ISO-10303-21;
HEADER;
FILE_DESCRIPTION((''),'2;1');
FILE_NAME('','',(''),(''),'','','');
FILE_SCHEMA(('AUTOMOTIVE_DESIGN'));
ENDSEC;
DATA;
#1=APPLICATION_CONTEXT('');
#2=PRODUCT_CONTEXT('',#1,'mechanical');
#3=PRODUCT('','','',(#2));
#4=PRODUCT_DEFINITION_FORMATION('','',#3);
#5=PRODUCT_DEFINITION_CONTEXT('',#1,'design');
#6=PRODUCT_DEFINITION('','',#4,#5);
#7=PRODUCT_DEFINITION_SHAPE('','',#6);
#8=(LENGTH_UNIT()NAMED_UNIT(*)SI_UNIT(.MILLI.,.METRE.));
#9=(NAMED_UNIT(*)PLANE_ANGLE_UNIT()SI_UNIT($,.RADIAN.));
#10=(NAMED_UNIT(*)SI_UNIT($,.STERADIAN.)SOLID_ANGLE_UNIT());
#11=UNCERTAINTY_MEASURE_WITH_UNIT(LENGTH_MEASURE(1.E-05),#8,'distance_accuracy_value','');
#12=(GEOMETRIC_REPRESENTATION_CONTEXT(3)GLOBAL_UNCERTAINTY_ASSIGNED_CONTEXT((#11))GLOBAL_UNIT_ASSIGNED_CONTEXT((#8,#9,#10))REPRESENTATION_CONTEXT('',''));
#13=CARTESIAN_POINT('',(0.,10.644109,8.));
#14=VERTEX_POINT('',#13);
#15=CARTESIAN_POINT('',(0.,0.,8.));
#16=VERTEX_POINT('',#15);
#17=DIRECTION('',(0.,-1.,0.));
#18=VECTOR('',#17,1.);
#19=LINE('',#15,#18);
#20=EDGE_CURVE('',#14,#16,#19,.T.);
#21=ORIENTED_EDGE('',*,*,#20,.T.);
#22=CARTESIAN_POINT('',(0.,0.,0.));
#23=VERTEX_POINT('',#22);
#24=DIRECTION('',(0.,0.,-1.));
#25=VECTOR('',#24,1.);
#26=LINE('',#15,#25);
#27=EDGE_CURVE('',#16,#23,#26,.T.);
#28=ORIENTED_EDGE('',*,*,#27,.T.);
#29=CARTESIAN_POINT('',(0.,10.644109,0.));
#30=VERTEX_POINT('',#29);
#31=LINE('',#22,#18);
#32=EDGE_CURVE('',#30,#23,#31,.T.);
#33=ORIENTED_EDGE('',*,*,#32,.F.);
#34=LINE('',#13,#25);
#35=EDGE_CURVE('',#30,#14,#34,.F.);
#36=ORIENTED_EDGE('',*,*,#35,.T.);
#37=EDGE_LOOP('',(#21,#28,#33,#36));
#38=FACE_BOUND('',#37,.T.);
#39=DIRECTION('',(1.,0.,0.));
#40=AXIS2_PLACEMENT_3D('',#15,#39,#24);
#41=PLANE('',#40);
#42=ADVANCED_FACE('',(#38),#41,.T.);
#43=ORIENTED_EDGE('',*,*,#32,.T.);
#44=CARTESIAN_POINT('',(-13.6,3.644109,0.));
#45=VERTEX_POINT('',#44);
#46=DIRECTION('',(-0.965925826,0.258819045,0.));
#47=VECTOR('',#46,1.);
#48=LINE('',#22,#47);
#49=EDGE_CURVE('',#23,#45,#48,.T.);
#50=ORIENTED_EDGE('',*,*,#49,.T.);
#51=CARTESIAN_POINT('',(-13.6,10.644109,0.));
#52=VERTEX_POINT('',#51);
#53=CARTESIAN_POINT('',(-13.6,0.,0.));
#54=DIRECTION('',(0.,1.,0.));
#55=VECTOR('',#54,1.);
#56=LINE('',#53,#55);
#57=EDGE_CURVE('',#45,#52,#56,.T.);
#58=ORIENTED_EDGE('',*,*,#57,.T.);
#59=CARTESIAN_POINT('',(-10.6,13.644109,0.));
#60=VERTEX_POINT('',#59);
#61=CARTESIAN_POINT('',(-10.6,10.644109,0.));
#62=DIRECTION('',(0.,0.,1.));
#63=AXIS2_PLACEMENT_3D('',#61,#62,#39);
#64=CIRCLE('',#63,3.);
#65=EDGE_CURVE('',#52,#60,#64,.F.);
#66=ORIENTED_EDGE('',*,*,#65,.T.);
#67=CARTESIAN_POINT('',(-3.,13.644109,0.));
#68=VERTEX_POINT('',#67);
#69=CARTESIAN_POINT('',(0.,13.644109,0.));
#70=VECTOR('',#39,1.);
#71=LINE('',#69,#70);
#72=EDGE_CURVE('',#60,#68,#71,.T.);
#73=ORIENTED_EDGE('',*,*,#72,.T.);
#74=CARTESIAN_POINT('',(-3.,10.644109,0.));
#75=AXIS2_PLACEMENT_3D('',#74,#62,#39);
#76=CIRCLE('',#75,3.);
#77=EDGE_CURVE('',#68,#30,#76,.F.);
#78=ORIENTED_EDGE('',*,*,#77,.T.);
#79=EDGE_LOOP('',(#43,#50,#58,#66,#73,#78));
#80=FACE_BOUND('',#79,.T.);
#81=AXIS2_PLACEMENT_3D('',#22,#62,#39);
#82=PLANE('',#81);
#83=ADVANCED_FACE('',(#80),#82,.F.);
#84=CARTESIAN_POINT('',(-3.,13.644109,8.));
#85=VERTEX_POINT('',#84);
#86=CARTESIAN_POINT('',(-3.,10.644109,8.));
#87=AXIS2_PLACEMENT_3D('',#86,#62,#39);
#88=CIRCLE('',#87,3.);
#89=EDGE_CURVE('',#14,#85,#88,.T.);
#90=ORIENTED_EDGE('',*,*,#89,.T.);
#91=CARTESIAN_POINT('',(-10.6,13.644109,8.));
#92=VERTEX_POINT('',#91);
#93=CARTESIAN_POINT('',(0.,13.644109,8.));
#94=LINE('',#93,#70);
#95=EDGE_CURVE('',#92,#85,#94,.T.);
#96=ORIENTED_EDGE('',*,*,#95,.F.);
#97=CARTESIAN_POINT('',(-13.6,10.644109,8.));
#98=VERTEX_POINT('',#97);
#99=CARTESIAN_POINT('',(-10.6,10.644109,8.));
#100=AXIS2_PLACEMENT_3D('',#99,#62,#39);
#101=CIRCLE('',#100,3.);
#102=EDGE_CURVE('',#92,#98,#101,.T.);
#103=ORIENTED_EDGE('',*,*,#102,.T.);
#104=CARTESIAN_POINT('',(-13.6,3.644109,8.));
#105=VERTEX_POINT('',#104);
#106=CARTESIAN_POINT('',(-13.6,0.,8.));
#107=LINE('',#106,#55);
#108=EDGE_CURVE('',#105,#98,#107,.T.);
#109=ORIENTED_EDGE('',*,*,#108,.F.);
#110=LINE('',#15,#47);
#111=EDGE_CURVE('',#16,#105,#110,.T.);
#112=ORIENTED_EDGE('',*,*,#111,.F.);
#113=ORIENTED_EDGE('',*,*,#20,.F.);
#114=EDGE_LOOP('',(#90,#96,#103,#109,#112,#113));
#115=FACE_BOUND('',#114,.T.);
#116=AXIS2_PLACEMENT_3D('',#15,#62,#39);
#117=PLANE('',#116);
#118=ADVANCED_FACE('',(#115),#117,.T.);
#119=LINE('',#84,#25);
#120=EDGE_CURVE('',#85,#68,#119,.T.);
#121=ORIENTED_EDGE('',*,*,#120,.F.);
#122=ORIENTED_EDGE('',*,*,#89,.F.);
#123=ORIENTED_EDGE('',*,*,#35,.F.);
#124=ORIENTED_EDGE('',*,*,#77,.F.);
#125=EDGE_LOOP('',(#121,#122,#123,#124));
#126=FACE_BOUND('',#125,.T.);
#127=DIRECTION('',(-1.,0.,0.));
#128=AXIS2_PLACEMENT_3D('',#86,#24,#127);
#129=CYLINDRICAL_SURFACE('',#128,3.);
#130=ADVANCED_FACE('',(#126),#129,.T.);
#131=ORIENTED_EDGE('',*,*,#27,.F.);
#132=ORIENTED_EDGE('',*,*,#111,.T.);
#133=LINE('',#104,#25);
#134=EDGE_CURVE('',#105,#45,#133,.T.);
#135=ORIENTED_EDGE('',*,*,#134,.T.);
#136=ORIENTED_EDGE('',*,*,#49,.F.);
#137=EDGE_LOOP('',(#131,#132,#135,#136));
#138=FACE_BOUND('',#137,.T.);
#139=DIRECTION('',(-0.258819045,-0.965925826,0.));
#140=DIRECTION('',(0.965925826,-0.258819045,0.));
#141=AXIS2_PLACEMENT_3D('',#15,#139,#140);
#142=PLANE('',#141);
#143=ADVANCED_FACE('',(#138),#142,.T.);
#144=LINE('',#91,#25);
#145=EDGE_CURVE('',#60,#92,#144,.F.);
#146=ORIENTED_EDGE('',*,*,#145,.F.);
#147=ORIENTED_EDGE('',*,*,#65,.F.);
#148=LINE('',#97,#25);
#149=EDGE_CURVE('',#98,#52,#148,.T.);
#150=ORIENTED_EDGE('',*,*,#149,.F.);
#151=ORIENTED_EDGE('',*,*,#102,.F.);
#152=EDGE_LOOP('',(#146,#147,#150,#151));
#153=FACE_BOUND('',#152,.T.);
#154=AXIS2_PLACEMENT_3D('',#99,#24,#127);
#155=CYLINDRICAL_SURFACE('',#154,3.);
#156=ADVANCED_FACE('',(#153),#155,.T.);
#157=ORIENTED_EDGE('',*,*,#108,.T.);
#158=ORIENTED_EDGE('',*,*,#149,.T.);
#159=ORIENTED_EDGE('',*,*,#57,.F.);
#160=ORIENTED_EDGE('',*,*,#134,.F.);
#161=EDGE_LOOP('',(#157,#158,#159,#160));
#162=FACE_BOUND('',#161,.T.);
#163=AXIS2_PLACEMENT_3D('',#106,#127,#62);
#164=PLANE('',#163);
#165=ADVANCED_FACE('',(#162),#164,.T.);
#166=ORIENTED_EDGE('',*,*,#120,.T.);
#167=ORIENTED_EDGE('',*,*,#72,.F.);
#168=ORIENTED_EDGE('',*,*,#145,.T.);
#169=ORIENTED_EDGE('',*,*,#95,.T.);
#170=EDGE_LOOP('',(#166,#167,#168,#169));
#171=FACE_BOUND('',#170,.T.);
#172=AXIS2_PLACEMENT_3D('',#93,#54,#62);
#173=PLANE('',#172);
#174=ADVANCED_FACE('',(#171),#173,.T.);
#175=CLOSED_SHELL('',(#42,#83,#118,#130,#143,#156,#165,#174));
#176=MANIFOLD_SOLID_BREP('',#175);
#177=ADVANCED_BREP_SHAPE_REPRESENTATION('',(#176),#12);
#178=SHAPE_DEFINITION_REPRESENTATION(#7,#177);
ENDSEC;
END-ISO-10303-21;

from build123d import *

# Parameters (mm, degrees)
SALIENTE_EXTRUIR1_DEPTH = 8
REDONDEO1_R             = 3


with BuildPart() as part:
    # Croquis1 → Saliente-Extruir1 (new body)
    with BuildSketch(Plane.XY):
        Polygon((-13.6, 3.644109017), (0, 0), (0, 13.644109017), (-13.6, 13.644109017), align=None)
    extrude(amount=SALIENTE_EXTRUIR1_DEPTH)

    # Redondeo1
    redondeo1_edges = [part.edges().sort_by_distance(p)[0] for p in [
        (0, 13.644109017, 4),
        (-13.6, 13.644109017, 4),
    ]]
    fillet(redondeo1_edges, radius=REDONDEO1_R)


solid = part.part
